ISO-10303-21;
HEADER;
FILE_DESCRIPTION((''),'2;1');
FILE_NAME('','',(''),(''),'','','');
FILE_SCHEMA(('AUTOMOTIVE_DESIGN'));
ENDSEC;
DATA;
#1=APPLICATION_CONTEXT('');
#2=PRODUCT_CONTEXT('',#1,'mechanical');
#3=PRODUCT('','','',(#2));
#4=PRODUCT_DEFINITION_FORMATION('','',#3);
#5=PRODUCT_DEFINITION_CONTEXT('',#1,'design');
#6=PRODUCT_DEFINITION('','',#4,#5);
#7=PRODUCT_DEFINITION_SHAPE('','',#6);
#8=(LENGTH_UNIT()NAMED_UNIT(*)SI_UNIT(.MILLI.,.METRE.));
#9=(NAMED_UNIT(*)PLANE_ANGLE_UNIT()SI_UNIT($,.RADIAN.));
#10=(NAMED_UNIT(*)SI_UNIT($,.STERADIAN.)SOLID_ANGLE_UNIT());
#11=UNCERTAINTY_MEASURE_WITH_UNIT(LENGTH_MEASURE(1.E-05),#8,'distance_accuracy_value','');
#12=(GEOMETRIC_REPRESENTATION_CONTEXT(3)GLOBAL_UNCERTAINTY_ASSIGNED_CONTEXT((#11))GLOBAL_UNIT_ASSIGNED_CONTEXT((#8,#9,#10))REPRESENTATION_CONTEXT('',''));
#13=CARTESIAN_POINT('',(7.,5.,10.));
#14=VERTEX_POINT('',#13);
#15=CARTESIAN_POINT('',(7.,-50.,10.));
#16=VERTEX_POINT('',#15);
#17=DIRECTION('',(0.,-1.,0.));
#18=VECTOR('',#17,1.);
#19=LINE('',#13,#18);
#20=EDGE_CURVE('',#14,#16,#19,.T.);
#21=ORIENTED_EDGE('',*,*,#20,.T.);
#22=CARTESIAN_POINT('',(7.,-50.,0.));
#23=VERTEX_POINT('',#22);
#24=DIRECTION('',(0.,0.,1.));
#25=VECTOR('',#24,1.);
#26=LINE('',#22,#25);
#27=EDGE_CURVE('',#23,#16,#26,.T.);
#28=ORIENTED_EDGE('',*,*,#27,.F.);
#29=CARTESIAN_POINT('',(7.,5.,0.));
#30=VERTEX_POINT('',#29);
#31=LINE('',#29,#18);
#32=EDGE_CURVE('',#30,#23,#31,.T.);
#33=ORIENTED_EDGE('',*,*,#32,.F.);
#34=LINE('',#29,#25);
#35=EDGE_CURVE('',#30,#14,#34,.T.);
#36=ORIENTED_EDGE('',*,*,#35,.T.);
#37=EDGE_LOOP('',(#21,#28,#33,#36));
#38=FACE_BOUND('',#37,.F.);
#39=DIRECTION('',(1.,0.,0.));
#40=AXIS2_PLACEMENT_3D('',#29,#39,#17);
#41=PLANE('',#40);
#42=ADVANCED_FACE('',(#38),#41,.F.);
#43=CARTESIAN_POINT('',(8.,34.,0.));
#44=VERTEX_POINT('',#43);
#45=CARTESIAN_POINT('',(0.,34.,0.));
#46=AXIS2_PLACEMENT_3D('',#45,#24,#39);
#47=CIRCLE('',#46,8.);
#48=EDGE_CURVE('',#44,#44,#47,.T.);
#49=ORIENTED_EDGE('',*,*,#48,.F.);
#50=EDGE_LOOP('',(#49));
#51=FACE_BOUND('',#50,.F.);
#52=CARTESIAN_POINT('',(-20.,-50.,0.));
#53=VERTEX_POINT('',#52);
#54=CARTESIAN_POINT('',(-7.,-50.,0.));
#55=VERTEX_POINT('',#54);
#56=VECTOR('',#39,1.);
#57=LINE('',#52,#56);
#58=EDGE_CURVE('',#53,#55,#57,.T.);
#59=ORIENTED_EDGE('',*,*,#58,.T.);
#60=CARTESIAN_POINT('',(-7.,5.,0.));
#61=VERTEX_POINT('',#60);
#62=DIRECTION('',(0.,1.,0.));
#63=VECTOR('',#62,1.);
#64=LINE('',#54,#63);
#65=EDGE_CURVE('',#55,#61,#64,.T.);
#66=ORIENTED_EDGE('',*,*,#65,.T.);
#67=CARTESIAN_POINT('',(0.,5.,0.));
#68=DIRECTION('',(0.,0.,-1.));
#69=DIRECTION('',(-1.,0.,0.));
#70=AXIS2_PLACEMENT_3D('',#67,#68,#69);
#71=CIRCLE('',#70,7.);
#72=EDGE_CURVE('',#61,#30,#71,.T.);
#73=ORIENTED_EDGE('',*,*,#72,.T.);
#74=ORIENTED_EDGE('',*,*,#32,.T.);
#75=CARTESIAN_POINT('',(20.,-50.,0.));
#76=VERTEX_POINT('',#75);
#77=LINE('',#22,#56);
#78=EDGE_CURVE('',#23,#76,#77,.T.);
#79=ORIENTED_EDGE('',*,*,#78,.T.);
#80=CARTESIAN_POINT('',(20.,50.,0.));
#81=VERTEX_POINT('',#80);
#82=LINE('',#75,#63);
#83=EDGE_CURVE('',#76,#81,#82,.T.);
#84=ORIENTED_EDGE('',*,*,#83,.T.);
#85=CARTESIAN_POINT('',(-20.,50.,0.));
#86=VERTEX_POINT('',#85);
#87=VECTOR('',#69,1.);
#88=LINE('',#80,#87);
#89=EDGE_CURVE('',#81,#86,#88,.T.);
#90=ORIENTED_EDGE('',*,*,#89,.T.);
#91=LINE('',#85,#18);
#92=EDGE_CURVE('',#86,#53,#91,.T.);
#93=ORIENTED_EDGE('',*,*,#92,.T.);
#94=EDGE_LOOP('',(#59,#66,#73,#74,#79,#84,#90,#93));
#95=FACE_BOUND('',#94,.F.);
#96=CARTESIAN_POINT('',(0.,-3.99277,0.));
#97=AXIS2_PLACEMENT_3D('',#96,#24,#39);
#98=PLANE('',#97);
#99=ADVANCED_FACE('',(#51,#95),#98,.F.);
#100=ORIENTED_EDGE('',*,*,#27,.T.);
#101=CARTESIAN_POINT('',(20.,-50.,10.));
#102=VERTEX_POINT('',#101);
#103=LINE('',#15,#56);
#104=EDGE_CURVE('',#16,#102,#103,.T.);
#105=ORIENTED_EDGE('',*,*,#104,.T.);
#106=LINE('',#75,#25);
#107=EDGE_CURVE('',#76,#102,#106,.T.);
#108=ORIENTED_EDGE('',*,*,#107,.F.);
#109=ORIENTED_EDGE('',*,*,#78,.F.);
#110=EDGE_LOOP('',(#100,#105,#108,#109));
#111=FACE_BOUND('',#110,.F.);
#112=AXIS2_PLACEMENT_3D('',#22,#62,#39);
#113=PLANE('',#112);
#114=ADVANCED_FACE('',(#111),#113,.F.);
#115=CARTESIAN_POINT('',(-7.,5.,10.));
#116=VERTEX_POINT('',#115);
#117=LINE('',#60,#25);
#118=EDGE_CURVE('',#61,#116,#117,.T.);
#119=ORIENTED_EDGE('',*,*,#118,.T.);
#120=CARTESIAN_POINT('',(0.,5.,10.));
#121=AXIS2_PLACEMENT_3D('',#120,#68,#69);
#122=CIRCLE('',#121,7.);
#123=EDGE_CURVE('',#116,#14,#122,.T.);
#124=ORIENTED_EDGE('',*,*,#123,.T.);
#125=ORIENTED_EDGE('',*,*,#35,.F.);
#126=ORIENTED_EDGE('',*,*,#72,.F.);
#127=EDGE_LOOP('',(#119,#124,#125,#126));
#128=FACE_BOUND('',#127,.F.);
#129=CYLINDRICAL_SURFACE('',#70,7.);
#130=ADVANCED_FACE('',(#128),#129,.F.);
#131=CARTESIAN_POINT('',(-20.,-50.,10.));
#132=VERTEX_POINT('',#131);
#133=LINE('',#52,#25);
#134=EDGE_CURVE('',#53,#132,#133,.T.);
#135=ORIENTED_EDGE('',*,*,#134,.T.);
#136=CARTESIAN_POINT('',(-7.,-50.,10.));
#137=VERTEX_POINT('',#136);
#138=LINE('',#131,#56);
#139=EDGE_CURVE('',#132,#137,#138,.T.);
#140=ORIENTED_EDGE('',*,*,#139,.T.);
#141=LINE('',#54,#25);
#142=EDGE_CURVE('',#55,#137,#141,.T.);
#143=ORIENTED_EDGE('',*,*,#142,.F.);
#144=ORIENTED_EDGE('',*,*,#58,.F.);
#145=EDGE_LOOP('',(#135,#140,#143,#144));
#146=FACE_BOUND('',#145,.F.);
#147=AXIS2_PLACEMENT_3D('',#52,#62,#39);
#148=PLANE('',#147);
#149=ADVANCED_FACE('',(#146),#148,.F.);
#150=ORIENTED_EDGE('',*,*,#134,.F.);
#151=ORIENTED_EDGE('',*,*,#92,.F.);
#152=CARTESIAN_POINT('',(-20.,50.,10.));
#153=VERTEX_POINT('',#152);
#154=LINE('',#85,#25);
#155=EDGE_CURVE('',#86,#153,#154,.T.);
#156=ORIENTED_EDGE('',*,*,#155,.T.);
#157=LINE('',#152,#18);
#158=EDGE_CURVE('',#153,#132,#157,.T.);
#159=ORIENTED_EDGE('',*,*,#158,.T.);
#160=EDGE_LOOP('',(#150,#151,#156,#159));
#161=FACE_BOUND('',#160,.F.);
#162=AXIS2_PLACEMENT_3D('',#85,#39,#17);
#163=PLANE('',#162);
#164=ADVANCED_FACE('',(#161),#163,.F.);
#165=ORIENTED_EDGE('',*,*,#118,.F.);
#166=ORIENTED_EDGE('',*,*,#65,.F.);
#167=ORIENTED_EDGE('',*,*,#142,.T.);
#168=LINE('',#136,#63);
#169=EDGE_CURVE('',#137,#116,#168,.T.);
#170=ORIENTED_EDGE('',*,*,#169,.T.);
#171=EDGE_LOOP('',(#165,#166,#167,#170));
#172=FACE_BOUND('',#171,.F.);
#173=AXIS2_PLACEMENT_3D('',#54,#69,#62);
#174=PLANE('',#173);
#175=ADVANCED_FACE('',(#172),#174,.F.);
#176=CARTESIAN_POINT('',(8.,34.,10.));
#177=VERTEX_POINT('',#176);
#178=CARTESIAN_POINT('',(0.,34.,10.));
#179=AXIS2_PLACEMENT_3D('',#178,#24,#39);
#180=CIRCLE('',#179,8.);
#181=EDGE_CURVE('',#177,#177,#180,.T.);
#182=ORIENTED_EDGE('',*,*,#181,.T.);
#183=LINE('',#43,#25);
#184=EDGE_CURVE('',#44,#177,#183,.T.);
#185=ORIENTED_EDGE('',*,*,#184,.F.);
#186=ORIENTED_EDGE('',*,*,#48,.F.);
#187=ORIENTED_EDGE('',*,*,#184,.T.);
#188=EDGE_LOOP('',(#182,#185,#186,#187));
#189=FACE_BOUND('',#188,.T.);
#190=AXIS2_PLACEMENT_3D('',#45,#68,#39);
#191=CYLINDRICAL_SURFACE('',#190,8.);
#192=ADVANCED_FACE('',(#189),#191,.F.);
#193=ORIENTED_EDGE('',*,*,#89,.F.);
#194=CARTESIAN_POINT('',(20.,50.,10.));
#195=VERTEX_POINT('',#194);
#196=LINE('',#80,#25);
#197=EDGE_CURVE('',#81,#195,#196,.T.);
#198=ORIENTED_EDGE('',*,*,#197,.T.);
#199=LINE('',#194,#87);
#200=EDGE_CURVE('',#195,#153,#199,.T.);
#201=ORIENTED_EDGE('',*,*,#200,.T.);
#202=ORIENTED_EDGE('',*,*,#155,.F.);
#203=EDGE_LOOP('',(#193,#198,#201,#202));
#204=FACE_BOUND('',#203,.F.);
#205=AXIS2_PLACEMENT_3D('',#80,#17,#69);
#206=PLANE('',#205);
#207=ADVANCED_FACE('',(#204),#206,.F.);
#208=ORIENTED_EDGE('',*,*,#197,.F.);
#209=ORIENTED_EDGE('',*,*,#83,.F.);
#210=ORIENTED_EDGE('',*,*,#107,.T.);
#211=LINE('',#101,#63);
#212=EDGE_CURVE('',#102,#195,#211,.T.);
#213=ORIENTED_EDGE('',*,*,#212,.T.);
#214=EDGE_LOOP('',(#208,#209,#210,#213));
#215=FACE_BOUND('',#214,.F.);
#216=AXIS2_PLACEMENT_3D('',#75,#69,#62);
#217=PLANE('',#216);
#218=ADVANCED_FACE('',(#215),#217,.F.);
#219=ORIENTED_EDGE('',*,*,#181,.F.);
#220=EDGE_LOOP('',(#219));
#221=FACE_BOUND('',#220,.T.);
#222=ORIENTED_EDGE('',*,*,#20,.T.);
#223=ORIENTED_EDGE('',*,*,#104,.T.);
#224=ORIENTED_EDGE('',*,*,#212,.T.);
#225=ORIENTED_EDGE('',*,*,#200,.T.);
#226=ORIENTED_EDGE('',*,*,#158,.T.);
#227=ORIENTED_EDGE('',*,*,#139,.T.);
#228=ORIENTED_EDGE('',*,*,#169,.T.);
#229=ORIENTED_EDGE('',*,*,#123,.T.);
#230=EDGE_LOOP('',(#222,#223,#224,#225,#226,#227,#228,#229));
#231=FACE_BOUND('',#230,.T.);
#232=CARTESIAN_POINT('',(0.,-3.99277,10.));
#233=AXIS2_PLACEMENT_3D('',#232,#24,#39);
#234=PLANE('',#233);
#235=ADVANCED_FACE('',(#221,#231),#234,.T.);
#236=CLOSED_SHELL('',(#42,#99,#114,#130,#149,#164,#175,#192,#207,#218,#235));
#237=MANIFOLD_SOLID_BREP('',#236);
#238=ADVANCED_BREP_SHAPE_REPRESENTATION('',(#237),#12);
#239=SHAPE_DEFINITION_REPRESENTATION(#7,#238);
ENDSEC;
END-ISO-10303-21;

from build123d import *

# Parameters (mm, degrees)
F0_R     = 8
F1_DEPTH = 10


with BuildPart() as f1:
    # F0 (on Top) → F1 (new body)
    with BuildSketch(Plane.XY):
        with BuildLine():
            Line((7, -50), (20, -50))
            Line((20, -50), (20, 50))
            Line((20, 50), (-20, 50))
            Line((-20, 50), (-20, -50))
            Line((-20, -50), (-7, -50))
            Line((-7, -50), (-7, 5))
            ThreePointArc((-7, 5), (0, 12), (7, 5))
            Line((7, 5), (7, -50))
        make_face()
        with Locations((0, 34)):
            Circle(F0_R, mode=Mode.SUBTRACT)
    extrude(amount=F1_DEPTH)


solid = f1.part
